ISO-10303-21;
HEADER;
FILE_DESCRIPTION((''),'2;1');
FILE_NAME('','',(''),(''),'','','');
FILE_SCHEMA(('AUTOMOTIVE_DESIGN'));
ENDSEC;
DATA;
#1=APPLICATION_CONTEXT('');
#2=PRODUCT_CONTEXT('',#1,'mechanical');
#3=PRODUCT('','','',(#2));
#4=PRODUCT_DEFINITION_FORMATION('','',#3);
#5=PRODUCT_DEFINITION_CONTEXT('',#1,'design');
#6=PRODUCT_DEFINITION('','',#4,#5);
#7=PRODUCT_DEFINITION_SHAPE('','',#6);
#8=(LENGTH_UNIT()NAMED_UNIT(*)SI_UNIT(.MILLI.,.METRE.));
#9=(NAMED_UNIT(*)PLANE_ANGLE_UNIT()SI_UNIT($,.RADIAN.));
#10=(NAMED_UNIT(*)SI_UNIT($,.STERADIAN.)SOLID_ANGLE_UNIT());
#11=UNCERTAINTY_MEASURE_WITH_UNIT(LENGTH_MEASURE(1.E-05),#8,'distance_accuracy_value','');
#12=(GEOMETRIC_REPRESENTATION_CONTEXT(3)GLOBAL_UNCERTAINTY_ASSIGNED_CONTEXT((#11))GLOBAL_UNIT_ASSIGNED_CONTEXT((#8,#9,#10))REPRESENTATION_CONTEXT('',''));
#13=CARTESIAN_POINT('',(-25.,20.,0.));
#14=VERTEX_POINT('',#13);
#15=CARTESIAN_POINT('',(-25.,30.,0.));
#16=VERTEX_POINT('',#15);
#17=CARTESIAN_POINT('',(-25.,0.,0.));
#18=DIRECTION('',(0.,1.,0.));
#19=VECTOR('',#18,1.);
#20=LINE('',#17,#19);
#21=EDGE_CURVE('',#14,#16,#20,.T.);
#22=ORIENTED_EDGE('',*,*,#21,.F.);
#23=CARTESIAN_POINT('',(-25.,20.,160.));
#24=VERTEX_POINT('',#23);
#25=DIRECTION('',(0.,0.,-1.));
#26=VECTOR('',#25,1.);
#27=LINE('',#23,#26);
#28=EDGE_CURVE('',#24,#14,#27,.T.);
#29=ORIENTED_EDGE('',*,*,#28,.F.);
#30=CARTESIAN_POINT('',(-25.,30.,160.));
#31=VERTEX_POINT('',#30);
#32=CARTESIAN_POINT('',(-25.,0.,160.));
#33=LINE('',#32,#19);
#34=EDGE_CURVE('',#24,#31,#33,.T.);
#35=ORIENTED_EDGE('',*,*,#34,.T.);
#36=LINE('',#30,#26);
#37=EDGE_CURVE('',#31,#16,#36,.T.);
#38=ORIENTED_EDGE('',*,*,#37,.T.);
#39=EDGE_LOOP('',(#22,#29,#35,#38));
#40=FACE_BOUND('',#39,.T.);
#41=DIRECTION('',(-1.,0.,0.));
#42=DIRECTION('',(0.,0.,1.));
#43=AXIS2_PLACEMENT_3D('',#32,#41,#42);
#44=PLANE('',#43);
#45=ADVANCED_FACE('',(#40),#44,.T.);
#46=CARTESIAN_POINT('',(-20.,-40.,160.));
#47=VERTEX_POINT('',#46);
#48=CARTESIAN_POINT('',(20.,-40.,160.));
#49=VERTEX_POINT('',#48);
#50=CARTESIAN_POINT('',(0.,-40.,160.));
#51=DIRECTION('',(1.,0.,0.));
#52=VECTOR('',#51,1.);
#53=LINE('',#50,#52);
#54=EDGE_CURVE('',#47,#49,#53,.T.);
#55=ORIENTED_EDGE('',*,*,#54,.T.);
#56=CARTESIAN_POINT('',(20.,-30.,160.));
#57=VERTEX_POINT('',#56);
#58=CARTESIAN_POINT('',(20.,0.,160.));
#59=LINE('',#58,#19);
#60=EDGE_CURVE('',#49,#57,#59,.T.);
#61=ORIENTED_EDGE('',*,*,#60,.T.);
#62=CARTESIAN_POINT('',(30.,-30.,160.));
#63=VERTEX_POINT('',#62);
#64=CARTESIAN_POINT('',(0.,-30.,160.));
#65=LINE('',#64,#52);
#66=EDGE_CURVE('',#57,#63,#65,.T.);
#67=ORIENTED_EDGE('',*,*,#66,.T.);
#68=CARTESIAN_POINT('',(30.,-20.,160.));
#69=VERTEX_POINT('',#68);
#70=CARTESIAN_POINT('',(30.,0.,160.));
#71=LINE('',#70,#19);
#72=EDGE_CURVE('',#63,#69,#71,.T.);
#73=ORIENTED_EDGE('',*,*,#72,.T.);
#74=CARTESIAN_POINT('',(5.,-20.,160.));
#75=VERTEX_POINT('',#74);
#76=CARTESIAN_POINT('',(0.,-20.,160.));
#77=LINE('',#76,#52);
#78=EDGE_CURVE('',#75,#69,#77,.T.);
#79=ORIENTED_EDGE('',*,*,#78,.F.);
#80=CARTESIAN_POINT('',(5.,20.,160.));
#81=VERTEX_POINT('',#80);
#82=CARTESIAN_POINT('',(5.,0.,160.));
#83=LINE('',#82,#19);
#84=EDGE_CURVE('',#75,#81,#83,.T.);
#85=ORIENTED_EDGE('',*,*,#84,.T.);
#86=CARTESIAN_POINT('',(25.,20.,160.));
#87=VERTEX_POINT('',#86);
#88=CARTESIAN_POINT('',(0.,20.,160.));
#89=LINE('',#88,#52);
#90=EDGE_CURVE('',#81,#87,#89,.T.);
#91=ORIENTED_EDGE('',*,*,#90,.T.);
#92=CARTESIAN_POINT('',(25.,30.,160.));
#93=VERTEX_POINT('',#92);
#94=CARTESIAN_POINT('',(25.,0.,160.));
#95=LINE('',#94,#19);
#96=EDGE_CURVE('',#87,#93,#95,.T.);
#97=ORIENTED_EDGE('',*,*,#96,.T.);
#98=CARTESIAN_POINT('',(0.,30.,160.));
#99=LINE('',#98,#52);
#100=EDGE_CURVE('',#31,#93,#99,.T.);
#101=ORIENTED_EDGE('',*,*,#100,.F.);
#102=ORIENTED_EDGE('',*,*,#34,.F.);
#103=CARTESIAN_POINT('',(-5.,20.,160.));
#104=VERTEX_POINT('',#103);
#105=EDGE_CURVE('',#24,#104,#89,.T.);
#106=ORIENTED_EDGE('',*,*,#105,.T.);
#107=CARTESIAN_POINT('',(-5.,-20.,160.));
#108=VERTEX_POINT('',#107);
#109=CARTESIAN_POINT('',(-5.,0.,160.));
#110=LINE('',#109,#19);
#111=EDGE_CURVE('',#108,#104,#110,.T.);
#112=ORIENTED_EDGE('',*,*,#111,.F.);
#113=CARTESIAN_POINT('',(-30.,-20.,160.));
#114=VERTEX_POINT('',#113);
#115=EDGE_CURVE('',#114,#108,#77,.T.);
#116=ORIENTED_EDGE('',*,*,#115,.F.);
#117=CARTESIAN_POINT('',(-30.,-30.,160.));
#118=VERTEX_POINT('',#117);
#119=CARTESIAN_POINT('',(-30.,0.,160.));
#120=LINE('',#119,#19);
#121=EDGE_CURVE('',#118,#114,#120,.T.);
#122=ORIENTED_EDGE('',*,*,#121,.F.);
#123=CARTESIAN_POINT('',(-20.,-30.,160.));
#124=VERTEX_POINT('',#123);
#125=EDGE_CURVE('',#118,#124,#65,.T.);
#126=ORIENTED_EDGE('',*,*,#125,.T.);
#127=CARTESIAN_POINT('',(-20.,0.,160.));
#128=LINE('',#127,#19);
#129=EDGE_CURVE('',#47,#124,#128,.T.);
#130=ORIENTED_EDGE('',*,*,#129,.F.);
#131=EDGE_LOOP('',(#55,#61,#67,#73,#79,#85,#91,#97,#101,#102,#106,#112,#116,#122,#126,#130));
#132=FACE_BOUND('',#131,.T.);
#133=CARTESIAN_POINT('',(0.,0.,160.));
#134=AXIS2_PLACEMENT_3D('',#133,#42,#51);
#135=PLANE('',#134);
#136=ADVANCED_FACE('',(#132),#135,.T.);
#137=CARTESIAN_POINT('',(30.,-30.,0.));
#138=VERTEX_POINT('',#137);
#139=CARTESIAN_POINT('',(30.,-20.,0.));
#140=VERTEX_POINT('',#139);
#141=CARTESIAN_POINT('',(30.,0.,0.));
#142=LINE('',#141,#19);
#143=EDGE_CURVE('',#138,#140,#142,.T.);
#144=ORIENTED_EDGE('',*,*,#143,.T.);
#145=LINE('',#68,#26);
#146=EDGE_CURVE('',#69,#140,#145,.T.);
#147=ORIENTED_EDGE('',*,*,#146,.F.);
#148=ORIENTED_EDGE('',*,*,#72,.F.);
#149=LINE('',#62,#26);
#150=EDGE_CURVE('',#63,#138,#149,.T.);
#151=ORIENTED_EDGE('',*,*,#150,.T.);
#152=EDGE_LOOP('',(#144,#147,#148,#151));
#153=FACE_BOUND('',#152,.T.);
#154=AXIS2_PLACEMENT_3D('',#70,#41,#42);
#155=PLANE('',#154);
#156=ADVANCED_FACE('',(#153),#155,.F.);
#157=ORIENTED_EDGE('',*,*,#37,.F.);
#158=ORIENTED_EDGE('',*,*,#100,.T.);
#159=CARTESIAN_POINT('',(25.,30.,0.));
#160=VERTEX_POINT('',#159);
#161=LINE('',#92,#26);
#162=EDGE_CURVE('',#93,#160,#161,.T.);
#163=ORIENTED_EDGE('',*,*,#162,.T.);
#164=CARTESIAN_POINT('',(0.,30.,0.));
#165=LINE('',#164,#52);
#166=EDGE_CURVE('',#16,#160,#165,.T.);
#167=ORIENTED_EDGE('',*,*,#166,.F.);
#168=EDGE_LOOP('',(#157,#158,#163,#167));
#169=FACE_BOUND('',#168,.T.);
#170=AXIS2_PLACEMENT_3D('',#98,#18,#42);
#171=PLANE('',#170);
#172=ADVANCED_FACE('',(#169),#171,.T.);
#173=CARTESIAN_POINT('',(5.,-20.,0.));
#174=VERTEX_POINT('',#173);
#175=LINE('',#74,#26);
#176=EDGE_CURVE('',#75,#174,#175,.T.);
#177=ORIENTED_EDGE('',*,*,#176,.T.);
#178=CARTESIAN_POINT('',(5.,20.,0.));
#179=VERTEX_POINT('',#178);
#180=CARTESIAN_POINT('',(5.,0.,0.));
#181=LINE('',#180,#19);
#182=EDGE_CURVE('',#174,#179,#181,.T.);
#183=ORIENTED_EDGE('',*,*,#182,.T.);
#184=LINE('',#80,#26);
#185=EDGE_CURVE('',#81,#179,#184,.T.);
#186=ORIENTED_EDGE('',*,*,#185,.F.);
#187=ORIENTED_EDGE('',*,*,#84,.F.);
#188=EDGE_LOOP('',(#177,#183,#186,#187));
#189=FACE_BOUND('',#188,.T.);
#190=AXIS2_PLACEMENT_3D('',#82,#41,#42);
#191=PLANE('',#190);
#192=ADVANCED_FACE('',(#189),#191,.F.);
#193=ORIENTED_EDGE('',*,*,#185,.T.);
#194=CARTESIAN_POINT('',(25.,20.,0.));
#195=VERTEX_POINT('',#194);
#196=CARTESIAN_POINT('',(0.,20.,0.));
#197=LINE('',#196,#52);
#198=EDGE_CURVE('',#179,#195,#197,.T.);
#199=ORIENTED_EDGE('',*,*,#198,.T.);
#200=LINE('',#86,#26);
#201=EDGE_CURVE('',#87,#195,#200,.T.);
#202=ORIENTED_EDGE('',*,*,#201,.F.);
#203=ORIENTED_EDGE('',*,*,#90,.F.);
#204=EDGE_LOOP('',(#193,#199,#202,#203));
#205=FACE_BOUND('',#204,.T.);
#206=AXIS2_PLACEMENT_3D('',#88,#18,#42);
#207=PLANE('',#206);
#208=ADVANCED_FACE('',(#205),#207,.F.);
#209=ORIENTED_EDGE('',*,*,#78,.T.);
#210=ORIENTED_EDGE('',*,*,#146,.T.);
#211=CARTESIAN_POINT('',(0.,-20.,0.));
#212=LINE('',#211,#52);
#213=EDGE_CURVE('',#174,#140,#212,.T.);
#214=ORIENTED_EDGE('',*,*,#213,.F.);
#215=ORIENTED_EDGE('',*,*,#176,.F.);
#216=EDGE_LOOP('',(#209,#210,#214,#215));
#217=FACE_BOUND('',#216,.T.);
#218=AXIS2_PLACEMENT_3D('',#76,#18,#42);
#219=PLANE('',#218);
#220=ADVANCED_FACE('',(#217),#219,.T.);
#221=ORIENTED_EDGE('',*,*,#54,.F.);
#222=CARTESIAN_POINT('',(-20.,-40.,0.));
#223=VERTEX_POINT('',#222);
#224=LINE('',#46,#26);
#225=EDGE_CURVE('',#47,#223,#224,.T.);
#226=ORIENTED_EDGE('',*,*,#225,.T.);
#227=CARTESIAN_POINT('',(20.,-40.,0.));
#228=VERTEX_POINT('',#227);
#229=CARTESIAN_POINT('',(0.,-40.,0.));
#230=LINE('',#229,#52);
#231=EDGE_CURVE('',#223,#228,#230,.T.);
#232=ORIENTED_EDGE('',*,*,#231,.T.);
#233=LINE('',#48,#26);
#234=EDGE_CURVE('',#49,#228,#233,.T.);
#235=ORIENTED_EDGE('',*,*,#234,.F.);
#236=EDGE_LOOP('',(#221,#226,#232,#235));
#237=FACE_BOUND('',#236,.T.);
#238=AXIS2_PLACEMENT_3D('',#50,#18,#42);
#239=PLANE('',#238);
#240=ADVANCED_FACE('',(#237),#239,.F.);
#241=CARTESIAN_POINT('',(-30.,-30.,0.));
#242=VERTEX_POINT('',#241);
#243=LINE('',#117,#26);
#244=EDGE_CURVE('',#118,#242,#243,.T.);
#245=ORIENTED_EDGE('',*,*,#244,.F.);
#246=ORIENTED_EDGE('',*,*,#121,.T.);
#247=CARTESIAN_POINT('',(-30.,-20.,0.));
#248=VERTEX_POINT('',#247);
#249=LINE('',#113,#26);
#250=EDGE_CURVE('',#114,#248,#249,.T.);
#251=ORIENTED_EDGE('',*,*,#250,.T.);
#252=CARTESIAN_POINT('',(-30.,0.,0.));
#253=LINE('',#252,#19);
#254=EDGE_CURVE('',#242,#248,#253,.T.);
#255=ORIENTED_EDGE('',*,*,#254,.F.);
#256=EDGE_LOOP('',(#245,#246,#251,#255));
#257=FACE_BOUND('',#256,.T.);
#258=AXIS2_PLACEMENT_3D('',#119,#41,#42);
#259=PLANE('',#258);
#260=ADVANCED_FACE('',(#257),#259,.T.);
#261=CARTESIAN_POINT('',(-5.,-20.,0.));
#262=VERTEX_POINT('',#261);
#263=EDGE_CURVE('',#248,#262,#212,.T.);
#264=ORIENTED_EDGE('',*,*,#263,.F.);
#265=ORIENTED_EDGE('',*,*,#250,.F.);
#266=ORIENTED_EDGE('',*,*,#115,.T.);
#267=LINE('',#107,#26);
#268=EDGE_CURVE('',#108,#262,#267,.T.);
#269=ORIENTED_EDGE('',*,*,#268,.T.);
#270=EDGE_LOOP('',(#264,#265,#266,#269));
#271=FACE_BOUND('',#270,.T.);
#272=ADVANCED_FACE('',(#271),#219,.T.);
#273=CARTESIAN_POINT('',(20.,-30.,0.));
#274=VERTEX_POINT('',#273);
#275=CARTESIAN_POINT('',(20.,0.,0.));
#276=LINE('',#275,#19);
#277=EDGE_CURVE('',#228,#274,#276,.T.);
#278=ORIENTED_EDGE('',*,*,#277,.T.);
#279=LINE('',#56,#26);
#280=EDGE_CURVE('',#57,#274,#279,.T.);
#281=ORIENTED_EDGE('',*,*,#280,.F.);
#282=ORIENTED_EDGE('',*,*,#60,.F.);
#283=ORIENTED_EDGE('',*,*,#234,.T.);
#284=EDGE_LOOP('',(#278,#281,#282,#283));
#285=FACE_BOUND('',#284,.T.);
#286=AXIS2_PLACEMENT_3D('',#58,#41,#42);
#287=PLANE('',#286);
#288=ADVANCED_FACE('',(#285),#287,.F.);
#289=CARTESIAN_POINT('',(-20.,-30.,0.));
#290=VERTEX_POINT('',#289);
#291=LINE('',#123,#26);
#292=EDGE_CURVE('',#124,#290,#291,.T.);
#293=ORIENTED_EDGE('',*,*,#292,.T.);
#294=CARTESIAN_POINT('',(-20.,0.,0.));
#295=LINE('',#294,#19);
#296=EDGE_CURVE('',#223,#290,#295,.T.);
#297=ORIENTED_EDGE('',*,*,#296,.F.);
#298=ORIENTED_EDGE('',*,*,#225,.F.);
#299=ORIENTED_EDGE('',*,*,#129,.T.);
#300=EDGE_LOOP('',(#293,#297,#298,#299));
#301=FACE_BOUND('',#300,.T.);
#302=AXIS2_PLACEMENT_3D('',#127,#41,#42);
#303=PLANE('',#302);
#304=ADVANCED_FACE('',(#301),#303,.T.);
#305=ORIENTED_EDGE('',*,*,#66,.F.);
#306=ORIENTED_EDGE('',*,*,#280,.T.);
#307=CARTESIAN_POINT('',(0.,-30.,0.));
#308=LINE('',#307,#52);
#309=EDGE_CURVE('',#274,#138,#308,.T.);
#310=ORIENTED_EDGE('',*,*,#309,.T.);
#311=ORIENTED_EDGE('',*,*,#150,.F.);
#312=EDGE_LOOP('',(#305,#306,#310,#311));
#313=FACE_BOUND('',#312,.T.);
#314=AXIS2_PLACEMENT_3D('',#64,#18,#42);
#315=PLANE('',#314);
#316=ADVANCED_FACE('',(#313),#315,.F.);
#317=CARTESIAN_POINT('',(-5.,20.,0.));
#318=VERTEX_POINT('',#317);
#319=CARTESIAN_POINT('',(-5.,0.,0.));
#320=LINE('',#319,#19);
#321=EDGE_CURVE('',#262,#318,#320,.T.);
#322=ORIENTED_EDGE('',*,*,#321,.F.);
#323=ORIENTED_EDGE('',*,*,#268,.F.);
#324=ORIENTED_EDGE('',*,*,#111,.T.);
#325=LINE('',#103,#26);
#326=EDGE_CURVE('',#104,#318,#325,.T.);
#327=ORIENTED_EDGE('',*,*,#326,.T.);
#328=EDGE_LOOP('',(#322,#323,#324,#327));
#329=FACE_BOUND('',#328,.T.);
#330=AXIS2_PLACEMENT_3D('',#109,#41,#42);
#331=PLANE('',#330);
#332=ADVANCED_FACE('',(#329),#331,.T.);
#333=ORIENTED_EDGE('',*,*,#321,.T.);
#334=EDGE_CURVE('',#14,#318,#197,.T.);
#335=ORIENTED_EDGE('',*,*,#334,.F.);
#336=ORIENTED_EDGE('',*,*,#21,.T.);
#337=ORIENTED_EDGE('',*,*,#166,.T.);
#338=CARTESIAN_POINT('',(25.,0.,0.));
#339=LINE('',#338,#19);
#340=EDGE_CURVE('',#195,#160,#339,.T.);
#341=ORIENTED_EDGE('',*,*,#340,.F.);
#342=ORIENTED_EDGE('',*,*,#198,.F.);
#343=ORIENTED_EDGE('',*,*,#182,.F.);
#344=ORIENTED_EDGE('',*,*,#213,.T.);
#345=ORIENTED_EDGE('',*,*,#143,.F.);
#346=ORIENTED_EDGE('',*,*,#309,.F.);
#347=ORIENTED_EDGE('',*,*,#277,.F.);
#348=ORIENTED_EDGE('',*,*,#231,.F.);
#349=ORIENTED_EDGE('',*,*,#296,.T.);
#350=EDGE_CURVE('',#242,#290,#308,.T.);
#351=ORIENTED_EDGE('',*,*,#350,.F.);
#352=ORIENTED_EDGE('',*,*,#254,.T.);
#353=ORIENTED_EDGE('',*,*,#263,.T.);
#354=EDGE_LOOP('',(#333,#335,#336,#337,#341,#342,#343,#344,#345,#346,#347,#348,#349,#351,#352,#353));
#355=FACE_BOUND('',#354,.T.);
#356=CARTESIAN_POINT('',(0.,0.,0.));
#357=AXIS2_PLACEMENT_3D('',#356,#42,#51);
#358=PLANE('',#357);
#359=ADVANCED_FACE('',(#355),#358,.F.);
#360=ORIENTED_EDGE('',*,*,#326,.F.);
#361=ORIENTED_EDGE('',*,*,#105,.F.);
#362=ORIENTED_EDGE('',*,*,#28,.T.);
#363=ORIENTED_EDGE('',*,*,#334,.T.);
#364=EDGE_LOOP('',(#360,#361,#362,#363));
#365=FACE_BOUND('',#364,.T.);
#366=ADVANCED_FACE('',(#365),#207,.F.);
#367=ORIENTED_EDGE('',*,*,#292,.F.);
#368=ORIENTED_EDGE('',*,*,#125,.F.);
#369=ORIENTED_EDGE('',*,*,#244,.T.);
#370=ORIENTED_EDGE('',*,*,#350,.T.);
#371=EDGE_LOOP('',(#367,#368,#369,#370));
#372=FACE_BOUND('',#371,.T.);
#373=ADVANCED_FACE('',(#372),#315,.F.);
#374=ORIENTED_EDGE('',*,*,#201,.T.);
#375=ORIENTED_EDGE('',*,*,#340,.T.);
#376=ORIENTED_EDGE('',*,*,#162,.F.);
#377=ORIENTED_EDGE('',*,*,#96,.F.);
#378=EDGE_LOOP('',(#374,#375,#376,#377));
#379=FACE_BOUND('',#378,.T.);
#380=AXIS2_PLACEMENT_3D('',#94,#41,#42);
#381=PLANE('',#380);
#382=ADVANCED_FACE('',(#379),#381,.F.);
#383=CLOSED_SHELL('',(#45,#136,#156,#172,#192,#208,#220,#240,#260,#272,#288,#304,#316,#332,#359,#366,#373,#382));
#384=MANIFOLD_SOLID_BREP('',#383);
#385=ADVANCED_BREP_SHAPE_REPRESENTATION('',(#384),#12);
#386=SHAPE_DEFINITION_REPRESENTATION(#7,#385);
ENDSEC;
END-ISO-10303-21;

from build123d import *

# Parameters (mm, degrees)
EXTRUDE_1_DEPTH = 160


with BuildPart() as part:
    # Эскиз1 → Бобышка-Вытянуть1 (new body)
    with BuildSketch(Plane.XY):
        Polygon((-5, 20), (-5, -20), (-30, -20), (-30, -30), (-20, -30), (-20, -40), (20, -40), (20, -30), (30, -30), (30, -20), (5, -20), (5, 20), (25, 20), (25, 30), (-25, 30), (-25, 20), align=None)
    extrude(amount=EXTRUDE_1_DEPTH)


solid = part.part
